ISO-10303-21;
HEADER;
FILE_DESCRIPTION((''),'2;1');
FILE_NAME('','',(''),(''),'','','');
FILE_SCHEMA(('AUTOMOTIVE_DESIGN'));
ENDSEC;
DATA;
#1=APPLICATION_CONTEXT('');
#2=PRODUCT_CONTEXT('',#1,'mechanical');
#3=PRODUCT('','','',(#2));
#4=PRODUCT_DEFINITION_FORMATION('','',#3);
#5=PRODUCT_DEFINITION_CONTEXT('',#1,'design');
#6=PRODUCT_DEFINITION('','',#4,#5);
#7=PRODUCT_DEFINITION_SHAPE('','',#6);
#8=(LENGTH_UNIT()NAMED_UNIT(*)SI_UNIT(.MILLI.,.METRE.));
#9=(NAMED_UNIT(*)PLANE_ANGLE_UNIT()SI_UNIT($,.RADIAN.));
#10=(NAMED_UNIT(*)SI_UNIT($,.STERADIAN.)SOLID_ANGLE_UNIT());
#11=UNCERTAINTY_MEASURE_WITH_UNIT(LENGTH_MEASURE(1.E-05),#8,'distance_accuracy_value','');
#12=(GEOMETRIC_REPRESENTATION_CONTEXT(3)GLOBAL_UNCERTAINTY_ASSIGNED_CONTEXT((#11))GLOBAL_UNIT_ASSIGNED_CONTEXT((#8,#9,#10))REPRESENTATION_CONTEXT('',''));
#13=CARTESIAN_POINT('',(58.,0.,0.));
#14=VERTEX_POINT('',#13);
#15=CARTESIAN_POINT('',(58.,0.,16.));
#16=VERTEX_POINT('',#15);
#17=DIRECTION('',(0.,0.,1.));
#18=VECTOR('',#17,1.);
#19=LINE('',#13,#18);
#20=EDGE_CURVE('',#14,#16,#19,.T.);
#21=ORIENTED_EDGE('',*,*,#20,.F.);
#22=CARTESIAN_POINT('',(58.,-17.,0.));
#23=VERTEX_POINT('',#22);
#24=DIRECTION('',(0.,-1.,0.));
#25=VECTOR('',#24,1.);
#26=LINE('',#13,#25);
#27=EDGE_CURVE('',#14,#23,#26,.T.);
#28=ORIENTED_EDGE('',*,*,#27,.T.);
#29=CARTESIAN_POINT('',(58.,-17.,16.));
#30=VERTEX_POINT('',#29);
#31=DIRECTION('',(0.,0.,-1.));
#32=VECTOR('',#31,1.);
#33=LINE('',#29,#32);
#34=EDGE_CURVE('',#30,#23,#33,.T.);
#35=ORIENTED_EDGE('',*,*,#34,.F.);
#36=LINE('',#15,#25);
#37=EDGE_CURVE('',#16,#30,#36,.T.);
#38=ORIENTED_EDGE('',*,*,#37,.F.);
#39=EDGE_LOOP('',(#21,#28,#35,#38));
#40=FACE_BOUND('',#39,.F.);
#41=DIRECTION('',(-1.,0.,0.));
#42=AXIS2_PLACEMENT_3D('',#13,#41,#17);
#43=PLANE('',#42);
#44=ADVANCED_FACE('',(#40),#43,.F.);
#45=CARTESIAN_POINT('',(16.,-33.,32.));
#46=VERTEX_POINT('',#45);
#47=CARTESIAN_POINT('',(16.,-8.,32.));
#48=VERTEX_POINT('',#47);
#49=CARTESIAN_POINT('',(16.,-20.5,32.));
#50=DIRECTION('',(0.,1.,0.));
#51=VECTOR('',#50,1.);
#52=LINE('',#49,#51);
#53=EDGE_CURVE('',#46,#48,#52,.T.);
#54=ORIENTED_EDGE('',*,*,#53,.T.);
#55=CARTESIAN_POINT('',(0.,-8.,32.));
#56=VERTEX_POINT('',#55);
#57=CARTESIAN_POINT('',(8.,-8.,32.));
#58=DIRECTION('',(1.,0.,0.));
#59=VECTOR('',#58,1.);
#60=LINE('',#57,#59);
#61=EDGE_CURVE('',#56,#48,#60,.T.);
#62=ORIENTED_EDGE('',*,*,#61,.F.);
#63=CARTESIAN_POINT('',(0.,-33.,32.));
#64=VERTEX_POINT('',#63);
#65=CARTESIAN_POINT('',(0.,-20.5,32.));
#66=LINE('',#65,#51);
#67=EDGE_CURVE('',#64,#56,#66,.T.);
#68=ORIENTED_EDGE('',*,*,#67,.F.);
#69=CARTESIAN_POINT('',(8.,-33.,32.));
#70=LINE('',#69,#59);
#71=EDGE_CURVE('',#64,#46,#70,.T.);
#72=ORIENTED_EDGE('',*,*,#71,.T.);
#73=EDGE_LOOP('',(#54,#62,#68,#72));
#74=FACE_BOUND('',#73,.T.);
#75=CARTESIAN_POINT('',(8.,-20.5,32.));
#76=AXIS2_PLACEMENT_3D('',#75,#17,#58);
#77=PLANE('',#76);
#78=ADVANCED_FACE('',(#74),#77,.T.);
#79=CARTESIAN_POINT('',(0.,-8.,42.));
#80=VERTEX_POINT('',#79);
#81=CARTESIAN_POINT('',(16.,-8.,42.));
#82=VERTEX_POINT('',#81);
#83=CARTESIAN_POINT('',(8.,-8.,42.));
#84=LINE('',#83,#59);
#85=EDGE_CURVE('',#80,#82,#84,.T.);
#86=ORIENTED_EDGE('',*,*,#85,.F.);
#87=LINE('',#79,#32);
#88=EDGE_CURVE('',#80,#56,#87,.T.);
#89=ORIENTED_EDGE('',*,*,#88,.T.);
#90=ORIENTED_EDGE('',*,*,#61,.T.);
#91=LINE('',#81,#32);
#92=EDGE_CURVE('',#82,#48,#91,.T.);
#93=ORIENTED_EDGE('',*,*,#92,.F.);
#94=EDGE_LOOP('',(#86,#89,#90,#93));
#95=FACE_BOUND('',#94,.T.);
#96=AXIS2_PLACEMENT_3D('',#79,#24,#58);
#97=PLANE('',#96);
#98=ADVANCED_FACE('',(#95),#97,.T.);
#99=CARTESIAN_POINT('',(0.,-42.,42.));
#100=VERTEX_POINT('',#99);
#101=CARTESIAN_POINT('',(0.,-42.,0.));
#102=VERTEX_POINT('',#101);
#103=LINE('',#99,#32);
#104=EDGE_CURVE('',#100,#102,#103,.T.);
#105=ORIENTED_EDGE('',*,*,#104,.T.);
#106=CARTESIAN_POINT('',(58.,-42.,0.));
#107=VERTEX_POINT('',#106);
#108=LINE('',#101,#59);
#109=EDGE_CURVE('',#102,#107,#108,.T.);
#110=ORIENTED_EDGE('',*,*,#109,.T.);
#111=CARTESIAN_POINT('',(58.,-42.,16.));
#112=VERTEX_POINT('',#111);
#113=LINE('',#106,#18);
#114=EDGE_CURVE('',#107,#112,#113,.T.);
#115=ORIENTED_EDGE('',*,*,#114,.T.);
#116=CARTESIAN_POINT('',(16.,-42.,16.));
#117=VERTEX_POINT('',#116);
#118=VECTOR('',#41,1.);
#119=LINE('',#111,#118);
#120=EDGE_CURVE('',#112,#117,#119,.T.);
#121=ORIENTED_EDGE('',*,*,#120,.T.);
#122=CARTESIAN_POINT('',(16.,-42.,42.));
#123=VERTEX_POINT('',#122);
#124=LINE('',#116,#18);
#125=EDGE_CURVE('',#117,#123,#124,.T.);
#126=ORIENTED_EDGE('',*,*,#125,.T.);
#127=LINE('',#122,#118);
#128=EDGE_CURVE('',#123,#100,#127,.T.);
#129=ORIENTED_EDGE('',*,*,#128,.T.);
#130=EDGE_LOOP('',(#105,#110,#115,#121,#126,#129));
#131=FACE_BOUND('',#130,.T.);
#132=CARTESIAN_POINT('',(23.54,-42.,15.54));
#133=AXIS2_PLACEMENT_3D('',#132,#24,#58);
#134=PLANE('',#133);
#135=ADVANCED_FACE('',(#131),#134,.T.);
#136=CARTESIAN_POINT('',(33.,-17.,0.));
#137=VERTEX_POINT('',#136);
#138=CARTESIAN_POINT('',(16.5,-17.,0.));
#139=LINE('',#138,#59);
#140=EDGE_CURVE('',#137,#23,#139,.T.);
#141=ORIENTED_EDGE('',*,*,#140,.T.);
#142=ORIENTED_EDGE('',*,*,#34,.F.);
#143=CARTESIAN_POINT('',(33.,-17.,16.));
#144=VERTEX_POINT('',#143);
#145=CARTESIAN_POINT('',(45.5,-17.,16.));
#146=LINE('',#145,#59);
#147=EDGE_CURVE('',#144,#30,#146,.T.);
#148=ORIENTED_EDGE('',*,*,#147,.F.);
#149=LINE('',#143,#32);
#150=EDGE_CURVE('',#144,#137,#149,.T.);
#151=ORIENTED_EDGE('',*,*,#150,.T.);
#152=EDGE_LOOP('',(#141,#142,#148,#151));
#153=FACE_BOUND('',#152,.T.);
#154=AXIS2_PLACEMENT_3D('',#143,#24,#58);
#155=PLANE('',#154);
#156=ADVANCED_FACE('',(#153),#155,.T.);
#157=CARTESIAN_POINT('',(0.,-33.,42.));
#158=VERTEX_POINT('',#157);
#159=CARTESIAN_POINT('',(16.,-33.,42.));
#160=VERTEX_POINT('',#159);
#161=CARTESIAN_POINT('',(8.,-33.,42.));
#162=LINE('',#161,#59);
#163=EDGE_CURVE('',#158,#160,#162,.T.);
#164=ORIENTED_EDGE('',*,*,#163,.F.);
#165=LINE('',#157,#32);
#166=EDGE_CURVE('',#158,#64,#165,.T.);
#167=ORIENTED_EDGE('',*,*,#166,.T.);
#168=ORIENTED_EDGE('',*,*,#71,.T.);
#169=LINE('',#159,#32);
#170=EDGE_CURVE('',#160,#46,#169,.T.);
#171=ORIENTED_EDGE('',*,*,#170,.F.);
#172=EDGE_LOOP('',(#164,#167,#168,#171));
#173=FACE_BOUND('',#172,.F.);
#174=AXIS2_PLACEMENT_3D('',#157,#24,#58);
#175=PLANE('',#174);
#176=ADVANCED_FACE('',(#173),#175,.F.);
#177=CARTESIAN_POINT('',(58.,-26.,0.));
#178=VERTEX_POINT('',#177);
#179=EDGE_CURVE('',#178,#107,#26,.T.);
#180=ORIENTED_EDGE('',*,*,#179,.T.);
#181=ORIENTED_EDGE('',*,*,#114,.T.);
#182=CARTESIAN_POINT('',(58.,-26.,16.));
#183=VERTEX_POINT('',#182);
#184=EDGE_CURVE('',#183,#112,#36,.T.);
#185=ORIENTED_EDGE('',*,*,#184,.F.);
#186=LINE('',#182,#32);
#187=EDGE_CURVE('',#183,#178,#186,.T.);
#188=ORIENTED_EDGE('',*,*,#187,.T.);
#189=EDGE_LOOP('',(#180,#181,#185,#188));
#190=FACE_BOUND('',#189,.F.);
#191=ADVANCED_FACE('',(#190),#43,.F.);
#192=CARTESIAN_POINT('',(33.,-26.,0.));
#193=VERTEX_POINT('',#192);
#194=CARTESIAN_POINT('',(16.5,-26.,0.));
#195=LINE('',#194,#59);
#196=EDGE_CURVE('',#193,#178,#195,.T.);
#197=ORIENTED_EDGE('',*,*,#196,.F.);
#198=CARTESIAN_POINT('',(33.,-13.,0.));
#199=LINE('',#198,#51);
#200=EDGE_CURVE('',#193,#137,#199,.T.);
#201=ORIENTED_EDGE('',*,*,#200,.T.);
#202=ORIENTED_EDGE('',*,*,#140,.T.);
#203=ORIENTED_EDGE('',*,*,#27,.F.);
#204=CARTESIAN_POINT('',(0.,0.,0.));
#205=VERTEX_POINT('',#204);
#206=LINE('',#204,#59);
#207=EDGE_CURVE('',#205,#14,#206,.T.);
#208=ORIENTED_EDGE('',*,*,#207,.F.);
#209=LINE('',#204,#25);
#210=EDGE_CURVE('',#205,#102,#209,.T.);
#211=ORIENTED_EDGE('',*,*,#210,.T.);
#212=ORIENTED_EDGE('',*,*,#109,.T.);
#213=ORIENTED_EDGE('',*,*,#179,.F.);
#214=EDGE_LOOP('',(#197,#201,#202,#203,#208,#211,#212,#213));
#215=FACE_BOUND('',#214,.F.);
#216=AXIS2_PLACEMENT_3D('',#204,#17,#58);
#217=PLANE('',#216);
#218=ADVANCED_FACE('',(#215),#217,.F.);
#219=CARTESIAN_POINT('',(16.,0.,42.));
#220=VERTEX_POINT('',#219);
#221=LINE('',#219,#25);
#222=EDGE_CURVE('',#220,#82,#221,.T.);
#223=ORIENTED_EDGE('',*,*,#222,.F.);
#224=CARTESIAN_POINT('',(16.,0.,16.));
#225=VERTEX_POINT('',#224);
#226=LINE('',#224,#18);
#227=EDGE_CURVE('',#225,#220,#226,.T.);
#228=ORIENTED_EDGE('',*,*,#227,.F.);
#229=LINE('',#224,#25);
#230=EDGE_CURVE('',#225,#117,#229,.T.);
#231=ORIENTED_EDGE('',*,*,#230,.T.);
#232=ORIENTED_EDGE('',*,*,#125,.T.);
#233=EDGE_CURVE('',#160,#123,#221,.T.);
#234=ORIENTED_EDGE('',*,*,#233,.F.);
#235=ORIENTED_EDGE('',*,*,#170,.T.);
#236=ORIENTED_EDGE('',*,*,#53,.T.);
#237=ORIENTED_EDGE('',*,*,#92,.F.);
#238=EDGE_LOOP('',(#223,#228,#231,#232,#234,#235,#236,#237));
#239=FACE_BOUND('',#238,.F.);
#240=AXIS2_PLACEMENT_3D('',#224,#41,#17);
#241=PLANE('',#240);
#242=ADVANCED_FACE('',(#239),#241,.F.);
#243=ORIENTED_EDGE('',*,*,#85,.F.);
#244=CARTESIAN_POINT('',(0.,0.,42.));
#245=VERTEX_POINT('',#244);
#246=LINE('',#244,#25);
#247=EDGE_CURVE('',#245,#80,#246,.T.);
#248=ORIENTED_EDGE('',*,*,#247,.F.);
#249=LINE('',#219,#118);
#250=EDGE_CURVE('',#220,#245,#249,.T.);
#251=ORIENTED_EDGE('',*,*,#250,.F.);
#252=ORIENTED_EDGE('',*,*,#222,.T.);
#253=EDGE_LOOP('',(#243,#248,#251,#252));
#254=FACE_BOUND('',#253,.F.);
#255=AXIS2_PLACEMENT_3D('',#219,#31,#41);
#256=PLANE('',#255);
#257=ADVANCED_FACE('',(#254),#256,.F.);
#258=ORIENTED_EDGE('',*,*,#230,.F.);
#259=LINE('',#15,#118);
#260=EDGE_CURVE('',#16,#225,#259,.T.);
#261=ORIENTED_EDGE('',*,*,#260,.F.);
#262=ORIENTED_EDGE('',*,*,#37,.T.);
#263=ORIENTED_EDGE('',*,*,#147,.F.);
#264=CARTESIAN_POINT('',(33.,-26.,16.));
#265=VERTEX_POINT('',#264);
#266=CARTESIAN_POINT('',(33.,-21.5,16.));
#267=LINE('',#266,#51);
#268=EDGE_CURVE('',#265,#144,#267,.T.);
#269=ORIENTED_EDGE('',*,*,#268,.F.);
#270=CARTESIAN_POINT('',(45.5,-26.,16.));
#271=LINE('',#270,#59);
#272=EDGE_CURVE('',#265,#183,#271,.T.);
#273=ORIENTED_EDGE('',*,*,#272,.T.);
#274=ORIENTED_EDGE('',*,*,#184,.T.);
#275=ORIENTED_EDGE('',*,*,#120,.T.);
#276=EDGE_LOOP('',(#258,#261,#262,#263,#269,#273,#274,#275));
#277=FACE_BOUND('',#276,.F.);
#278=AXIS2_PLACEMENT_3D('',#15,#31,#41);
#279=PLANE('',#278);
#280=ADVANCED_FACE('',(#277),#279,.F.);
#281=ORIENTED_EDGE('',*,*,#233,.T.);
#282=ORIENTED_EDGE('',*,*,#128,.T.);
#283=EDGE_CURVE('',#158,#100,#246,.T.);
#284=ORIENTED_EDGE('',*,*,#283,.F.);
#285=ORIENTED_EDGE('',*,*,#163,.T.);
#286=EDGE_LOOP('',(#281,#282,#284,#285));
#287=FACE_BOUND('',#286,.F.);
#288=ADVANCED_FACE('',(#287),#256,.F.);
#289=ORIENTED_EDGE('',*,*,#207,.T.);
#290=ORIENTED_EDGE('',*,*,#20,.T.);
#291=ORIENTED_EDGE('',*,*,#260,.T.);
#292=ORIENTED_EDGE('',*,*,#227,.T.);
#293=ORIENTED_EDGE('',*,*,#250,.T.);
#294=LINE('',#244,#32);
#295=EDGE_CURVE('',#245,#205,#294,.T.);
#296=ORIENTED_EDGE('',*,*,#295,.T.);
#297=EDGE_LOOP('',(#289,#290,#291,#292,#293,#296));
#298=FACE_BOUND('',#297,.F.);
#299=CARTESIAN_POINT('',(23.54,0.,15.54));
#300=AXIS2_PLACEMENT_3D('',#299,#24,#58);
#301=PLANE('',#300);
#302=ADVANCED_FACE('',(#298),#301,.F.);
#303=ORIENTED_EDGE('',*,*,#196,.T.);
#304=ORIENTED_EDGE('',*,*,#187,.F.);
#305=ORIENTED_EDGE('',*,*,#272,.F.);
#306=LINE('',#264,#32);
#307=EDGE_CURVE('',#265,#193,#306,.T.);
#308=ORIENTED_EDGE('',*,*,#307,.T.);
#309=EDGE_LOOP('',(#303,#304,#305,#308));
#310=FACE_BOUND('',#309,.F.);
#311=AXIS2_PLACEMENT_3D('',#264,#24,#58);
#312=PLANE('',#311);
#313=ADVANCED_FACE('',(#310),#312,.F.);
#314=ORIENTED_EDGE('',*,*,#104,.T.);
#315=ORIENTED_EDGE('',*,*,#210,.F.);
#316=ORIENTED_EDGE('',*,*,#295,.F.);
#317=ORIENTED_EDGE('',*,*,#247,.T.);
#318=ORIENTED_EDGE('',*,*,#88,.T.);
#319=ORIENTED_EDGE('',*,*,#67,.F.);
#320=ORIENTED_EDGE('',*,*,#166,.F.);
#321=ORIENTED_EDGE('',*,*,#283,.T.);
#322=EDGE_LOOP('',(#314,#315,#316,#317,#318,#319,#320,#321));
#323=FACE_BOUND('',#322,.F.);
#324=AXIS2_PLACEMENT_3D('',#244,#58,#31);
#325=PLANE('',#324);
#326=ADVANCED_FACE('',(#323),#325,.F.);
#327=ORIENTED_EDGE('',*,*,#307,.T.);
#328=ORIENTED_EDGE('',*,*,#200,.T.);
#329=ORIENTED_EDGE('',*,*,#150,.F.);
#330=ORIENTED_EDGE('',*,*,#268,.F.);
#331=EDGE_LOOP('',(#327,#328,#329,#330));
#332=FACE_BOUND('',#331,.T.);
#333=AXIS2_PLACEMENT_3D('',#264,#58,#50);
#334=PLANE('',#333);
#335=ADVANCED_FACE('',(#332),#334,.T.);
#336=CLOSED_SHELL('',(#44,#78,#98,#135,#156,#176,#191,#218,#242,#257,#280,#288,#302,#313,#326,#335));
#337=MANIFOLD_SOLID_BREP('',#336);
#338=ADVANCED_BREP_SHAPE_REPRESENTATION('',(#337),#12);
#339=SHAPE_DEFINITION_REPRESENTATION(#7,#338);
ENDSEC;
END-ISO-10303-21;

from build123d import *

# Parameters (mm, degrees)
F1_DEPTH = 42
F2_W     = 16
F2_H     = 25
F3_DEPTH = 10
F4_W     = 25
F4_H     = 9
F5_DEPTH = 16.001


with BuildPart() as f1:
    # F0 (on Front) → F1 (new body)
    with BuildSketch(Plane.XZ):
        Polygon((0, 42), (0, 0), (58, 0), (58, 16), (16, 16), (16, 42), align=None)
    extrude(amount=F1_DEPTH)

    # F2 (on face) → F3 (cut)
    with BuildSketch(Plane.XY.offset(42)):
        with Locations((8, -20.5)):
            Rectangle(F2_W, F2_H)
    extrude(amount=-F3_DEPTH, mode=Mode.SUBTRACT)

    # F4 (on face) → F5 (cut, through all)
    with BuildSketch(Plane.XY.offset(16)):
        with Locations((45.5, -21.5)):
            Rectangle(F4_W, F4_H)
    extrude(amount=-F5_DEPTH, mode=Mode.SUBTRACT)


solid = f1.part
